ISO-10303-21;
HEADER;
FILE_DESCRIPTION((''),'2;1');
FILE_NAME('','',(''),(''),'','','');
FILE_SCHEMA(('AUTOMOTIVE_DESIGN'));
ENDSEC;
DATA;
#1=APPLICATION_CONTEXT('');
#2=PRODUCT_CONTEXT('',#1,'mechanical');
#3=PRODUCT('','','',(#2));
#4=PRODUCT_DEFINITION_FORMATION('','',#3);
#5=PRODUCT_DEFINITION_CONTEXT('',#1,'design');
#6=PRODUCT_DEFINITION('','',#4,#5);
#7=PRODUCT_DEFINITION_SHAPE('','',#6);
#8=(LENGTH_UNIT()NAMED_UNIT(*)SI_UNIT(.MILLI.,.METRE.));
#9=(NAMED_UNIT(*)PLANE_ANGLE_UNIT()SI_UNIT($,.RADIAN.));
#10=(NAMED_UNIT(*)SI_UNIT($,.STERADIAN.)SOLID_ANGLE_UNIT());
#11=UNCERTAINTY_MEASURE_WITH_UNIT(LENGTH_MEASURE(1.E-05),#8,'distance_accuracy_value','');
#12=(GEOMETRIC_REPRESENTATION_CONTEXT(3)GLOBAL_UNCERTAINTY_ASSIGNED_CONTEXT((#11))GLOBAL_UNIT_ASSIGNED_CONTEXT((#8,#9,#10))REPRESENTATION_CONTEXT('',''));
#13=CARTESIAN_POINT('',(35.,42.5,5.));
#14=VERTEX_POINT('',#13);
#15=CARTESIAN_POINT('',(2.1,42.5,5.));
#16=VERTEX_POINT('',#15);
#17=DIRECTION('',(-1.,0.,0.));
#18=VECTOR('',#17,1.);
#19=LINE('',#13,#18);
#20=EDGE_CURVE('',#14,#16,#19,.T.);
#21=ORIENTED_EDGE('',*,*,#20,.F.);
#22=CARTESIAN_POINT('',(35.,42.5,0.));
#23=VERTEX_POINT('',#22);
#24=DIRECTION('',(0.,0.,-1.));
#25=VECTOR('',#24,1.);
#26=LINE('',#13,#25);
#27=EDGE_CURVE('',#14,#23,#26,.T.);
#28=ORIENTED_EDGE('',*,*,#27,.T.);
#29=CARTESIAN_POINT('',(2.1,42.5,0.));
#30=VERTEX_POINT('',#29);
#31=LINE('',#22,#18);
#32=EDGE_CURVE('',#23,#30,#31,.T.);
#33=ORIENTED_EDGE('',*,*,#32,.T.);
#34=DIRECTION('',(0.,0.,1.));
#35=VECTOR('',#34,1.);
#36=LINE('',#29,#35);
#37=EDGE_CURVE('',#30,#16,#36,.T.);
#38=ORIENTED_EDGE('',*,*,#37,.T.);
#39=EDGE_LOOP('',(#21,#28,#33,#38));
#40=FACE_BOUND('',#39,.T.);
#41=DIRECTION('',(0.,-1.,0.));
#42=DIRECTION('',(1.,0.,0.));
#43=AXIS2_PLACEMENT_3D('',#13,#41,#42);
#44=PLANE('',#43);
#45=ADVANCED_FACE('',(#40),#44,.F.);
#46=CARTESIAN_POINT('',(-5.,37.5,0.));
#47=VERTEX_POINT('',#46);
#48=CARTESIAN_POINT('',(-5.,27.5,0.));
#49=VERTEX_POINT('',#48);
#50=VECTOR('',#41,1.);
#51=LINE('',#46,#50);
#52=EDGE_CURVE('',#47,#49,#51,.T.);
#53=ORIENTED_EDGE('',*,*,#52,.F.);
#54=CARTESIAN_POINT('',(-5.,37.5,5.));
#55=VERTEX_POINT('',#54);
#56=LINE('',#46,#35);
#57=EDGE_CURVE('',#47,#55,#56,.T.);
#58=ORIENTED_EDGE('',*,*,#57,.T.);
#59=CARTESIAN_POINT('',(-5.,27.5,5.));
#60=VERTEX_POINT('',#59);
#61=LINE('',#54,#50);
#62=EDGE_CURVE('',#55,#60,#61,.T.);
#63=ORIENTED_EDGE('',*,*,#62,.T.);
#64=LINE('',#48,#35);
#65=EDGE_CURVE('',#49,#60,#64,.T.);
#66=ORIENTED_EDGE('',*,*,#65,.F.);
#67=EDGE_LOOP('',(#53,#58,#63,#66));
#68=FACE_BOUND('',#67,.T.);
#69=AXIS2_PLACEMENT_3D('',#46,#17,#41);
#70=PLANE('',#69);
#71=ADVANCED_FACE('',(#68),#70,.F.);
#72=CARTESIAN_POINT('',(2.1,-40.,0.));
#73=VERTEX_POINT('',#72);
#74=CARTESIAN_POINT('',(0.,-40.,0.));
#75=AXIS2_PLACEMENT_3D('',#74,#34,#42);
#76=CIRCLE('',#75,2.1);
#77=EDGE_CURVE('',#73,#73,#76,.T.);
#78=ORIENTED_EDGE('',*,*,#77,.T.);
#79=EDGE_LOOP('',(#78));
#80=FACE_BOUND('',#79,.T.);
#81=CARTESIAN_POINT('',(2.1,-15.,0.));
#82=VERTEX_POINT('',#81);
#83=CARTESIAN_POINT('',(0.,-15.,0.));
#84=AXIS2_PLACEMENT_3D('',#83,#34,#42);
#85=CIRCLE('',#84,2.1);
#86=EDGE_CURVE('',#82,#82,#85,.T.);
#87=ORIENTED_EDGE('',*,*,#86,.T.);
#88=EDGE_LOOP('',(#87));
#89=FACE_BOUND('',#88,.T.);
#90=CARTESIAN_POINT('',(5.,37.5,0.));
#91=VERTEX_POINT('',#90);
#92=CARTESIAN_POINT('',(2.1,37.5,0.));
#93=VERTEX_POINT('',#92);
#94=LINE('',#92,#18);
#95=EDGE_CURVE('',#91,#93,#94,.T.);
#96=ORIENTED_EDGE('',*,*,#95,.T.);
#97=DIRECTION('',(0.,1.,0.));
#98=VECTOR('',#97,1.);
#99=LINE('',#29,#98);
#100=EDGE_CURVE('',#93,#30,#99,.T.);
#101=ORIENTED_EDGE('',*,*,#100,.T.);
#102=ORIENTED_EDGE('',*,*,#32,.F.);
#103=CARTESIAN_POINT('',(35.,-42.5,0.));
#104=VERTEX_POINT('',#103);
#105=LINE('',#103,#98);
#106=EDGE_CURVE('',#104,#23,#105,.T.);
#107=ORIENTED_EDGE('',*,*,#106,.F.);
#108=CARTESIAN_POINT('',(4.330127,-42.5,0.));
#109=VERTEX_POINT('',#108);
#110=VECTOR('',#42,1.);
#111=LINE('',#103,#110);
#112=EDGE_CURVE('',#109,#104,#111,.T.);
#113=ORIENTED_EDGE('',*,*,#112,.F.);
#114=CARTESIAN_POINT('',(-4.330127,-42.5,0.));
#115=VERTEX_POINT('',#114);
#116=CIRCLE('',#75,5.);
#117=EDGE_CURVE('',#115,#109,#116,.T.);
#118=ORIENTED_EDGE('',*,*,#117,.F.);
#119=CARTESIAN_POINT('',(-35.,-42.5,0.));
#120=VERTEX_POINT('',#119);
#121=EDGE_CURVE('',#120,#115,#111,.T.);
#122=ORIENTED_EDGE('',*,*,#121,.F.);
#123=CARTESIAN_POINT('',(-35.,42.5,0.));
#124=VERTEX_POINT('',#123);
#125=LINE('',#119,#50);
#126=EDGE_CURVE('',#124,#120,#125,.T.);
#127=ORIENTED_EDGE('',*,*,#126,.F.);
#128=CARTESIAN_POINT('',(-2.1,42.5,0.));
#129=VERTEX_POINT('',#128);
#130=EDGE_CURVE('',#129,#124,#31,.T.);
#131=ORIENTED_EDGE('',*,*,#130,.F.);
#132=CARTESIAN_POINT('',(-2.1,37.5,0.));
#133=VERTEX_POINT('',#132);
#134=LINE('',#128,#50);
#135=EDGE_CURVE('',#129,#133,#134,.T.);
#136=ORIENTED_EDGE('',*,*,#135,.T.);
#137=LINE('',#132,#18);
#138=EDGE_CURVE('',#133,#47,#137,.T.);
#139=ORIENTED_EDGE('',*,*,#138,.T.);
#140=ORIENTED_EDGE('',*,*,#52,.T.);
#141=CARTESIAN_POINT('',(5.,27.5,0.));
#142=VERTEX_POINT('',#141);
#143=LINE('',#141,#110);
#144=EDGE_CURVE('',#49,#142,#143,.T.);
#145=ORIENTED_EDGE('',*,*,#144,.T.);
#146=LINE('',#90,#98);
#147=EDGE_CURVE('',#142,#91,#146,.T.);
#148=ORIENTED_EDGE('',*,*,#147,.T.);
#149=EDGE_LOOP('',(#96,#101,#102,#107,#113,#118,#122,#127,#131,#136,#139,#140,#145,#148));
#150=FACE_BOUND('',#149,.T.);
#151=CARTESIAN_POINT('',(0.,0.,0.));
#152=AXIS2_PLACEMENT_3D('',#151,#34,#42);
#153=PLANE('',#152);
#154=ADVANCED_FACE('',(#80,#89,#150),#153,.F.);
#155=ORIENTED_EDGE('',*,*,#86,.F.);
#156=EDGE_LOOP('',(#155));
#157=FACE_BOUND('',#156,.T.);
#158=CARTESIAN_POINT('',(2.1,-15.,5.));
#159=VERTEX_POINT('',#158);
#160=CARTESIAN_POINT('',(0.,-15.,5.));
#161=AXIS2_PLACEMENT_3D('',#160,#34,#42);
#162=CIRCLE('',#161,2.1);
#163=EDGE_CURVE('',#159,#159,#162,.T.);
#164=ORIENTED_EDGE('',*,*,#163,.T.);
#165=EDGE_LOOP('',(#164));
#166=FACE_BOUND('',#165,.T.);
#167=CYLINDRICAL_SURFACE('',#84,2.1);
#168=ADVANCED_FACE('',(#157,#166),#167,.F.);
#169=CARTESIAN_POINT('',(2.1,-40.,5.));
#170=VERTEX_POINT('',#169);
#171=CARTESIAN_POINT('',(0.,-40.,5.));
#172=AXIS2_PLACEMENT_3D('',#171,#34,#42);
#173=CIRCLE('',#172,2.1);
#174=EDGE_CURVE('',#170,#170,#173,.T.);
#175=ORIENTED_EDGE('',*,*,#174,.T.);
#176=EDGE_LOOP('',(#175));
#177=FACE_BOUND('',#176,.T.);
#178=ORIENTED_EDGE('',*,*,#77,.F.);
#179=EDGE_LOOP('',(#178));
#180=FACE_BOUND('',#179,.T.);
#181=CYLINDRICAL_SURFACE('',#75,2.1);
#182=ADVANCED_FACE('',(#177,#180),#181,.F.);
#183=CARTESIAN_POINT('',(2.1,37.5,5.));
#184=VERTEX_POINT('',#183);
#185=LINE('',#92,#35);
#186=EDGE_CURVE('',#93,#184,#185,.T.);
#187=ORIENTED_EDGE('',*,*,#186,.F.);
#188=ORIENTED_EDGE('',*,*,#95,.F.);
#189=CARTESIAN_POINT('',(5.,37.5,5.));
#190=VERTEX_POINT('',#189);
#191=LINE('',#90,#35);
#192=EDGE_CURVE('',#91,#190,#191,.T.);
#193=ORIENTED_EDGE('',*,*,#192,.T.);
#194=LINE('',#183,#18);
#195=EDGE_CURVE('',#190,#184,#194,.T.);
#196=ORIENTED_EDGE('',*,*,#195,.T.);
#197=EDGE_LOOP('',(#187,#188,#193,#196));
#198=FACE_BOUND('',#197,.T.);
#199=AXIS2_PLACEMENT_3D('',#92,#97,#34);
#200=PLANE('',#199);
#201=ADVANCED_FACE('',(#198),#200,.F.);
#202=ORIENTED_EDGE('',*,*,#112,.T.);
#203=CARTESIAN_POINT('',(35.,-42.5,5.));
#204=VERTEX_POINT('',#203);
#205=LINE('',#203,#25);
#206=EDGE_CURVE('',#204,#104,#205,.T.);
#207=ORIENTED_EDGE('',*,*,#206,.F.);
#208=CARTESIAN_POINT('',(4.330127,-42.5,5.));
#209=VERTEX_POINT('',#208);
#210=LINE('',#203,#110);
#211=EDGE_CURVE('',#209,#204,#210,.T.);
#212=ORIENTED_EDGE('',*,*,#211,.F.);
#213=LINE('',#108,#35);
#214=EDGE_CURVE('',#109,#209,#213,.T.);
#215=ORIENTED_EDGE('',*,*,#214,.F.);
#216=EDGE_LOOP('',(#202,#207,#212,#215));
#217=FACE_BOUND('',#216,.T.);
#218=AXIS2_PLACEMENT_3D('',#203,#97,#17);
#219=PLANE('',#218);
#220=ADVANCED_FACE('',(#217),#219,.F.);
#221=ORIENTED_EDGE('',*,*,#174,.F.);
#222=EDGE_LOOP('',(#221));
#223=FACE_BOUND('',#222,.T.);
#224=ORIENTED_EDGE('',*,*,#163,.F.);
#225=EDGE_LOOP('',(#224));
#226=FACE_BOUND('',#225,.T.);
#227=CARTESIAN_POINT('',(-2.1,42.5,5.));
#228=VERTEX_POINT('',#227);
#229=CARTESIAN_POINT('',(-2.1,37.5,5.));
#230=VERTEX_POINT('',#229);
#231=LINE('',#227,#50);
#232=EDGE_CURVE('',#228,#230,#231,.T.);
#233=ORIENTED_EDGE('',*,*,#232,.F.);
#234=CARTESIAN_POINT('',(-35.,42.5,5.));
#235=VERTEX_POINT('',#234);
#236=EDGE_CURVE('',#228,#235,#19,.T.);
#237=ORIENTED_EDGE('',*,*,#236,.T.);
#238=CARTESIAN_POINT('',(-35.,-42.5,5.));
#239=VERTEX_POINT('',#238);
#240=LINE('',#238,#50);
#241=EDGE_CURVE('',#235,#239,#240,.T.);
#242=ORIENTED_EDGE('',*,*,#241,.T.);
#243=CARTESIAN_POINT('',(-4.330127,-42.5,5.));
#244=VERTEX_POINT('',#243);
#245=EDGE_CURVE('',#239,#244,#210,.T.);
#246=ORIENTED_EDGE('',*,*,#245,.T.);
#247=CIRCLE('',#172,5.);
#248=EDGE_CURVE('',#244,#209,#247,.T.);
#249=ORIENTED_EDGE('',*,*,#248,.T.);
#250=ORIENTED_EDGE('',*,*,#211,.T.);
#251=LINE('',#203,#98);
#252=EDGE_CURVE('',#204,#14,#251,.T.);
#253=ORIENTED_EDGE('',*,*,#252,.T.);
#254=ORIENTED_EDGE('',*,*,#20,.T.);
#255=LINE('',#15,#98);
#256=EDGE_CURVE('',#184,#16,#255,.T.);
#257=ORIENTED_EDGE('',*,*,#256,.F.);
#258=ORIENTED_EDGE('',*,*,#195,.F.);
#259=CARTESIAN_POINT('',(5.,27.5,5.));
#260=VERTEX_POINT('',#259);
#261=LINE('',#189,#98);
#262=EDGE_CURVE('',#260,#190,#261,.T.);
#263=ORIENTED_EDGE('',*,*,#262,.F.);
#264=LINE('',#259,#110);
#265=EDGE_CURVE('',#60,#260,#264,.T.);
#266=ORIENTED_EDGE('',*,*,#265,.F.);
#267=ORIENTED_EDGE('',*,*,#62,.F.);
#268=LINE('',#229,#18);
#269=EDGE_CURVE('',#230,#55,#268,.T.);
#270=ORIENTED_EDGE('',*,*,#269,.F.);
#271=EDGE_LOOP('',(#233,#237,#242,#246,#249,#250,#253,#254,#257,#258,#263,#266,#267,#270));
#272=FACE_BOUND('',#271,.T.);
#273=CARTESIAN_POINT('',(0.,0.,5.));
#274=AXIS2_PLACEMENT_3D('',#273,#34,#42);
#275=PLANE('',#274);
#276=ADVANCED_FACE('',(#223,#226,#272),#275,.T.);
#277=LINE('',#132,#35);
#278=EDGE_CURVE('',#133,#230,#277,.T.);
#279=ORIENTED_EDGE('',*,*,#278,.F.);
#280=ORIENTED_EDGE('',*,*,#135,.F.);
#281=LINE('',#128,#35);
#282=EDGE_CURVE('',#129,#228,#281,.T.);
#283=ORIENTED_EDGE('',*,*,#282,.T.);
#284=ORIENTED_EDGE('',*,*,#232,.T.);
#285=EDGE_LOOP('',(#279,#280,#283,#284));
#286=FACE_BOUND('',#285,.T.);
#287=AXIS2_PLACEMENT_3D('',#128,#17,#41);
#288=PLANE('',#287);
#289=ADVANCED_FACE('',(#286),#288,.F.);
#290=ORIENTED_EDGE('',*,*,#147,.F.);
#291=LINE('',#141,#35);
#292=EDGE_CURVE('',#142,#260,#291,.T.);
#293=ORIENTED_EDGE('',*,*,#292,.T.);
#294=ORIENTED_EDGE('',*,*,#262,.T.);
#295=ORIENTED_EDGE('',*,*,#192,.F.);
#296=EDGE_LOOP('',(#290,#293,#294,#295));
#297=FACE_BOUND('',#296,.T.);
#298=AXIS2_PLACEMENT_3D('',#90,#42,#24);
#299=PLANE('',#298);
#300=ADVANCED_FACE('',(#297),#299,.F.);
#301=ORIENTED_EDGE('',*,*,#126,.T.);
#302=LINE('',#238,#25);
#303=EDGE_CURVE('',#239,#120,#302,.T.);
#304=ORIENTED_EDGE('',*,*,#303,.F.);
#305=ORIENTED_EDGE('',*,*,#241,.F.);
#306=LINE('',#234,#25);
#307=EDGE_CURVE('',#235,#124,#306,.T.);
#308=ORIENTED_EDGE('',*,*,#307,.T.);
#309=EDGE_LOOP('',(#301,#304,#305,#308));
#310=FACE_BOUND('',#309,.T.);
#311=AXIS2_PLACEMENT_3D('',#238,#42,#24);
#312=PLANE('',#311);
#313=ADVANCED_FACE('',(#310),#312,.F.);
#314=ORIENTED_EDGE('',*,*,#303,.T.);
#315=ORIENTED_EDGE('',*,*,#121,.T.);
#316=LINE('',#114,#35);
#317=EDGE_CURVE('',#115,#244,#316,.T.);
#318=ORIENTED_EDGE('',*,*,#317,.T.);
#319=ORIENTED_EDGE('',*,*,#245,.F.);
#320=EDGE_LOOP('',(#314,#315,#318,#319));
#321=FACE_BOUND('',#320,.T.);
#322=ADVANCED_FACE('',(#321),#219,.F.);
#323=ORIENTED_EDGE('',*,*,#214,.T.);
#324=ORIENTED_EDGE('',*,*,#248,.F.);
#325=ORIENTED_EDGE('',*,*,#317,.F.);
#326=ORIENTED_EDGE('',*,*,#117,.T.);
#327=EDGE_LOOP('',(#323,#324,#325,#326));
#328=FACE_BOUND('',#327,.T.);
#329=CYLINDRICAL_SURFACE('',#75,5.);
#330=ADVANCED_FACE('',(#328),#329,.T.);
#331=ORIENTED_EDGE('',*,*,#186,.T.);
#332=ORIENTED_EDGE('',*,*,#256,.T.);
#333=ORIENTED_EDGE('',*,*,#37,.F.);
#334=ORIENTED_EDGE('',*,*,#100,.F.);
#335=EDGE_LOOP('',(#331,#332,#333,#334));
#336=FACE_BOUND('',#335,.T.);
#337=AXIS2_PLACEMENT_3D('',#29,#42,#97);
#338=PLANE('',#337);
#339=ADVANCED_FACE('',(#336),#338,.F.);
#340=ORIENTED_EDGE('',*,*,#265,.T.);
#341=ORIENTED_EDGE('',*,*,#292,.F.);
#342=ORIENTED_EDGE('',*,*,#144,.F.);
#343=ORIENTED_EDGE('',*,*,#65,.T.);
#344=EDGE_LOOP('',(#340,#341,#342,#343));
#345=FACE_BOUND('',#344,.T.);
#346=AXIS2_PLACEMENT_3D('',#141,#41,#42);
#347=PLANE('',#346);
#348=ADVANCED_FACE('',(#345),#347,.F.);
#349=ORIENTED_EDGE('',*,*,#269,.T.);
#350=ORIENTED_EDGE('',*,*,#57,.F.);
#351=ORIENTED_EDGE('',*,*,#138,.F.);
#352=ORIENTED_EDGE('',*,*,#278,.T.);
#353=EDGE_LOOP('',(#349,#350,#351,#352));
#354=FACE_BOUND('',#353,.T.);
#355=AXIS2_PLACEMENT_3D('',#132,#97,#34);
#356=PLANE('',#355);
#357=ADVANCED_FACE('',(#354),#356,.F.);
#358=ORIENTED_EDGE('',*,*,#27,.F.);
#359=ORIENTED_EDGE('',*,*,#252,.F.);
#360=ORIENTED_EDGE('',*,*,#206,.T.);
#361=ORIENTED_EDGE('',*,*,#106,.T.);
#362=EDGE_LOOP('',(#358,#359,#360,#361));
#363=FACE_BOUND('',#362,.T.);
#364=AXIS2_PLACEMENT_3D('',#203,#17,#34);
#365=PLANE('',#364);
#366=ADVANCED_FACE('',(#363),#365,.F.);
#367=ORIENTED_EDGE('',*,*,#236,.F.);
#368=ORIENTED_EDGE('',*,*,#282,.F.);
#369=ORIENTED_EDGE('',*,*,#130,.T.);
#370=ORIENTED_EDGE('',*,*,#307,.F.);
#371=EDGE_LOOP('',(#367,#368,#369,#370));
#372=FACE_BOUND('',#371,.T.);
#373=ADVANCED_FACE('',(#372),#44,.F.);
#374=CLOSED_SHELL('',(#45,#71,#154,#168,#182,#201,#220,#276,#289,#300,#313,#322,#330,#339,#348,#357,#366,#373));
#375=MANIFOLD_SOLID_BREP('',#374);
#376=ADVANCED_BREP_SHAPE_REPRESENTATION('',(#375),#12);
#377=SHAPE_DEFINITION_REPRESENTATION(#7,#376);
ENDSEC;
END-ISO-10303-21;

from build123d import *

# Parameters (mm, degrees)
SKETCH1_W           = 70
SKETCH1_H           = 85
BOSS_EXTRUDE1_DEPTH = 5
SKETCH2_R           = 2.1
CUT_EXTRUDE1_DEPTH  = 5
BOSS_EXTRUDE2_DEPTH = 5


with BuildPart() as part:
    # Sketch1 → Boss-Extrude1 (new body)
    with BuildSketch(Plane.XY):
        Rectangle(SKETCH1_W, SKETCH1_H)
    extrude(amount=BOSS_EXTRUDE1_DEPTH)

    # Sketch2 → Cut-Extrude1 (cut)
    with BuildSketch(Plane.XY.offset(5)):
        with Locations((0, -15)):
            Circle(SKETCH2_R)
        with Locations((0, -40)):
            Circle(SKETCH2_R)
        Polygon((2.1, 42.5), (2.1, 37.5), (5, 37.5), (5, 27.5), (-5, 27.5), (-5, 37.5), (-2.1, 37.5), (-2.1, 42.5), align=None)
    extrude(amount=-CUT_EXTRUDE1_DEPTH, mode=Mode.SUBTRACT)

    # Sketch3 → Boss-Extrude2 (add)
    with BuildSketch(Plane.XY.offset(5)):
        with BuildLine():
            Line((-4.330127019, -42.5), (4.330127019, -42.5))
            ThreePointArc((4.330127019, -42.5), (0, -45), (-4.330127019, -42.5))
        make_face()
    extrude(amount=-BOSS_EXTRUDE2_DEPTH)


solid = part.part
